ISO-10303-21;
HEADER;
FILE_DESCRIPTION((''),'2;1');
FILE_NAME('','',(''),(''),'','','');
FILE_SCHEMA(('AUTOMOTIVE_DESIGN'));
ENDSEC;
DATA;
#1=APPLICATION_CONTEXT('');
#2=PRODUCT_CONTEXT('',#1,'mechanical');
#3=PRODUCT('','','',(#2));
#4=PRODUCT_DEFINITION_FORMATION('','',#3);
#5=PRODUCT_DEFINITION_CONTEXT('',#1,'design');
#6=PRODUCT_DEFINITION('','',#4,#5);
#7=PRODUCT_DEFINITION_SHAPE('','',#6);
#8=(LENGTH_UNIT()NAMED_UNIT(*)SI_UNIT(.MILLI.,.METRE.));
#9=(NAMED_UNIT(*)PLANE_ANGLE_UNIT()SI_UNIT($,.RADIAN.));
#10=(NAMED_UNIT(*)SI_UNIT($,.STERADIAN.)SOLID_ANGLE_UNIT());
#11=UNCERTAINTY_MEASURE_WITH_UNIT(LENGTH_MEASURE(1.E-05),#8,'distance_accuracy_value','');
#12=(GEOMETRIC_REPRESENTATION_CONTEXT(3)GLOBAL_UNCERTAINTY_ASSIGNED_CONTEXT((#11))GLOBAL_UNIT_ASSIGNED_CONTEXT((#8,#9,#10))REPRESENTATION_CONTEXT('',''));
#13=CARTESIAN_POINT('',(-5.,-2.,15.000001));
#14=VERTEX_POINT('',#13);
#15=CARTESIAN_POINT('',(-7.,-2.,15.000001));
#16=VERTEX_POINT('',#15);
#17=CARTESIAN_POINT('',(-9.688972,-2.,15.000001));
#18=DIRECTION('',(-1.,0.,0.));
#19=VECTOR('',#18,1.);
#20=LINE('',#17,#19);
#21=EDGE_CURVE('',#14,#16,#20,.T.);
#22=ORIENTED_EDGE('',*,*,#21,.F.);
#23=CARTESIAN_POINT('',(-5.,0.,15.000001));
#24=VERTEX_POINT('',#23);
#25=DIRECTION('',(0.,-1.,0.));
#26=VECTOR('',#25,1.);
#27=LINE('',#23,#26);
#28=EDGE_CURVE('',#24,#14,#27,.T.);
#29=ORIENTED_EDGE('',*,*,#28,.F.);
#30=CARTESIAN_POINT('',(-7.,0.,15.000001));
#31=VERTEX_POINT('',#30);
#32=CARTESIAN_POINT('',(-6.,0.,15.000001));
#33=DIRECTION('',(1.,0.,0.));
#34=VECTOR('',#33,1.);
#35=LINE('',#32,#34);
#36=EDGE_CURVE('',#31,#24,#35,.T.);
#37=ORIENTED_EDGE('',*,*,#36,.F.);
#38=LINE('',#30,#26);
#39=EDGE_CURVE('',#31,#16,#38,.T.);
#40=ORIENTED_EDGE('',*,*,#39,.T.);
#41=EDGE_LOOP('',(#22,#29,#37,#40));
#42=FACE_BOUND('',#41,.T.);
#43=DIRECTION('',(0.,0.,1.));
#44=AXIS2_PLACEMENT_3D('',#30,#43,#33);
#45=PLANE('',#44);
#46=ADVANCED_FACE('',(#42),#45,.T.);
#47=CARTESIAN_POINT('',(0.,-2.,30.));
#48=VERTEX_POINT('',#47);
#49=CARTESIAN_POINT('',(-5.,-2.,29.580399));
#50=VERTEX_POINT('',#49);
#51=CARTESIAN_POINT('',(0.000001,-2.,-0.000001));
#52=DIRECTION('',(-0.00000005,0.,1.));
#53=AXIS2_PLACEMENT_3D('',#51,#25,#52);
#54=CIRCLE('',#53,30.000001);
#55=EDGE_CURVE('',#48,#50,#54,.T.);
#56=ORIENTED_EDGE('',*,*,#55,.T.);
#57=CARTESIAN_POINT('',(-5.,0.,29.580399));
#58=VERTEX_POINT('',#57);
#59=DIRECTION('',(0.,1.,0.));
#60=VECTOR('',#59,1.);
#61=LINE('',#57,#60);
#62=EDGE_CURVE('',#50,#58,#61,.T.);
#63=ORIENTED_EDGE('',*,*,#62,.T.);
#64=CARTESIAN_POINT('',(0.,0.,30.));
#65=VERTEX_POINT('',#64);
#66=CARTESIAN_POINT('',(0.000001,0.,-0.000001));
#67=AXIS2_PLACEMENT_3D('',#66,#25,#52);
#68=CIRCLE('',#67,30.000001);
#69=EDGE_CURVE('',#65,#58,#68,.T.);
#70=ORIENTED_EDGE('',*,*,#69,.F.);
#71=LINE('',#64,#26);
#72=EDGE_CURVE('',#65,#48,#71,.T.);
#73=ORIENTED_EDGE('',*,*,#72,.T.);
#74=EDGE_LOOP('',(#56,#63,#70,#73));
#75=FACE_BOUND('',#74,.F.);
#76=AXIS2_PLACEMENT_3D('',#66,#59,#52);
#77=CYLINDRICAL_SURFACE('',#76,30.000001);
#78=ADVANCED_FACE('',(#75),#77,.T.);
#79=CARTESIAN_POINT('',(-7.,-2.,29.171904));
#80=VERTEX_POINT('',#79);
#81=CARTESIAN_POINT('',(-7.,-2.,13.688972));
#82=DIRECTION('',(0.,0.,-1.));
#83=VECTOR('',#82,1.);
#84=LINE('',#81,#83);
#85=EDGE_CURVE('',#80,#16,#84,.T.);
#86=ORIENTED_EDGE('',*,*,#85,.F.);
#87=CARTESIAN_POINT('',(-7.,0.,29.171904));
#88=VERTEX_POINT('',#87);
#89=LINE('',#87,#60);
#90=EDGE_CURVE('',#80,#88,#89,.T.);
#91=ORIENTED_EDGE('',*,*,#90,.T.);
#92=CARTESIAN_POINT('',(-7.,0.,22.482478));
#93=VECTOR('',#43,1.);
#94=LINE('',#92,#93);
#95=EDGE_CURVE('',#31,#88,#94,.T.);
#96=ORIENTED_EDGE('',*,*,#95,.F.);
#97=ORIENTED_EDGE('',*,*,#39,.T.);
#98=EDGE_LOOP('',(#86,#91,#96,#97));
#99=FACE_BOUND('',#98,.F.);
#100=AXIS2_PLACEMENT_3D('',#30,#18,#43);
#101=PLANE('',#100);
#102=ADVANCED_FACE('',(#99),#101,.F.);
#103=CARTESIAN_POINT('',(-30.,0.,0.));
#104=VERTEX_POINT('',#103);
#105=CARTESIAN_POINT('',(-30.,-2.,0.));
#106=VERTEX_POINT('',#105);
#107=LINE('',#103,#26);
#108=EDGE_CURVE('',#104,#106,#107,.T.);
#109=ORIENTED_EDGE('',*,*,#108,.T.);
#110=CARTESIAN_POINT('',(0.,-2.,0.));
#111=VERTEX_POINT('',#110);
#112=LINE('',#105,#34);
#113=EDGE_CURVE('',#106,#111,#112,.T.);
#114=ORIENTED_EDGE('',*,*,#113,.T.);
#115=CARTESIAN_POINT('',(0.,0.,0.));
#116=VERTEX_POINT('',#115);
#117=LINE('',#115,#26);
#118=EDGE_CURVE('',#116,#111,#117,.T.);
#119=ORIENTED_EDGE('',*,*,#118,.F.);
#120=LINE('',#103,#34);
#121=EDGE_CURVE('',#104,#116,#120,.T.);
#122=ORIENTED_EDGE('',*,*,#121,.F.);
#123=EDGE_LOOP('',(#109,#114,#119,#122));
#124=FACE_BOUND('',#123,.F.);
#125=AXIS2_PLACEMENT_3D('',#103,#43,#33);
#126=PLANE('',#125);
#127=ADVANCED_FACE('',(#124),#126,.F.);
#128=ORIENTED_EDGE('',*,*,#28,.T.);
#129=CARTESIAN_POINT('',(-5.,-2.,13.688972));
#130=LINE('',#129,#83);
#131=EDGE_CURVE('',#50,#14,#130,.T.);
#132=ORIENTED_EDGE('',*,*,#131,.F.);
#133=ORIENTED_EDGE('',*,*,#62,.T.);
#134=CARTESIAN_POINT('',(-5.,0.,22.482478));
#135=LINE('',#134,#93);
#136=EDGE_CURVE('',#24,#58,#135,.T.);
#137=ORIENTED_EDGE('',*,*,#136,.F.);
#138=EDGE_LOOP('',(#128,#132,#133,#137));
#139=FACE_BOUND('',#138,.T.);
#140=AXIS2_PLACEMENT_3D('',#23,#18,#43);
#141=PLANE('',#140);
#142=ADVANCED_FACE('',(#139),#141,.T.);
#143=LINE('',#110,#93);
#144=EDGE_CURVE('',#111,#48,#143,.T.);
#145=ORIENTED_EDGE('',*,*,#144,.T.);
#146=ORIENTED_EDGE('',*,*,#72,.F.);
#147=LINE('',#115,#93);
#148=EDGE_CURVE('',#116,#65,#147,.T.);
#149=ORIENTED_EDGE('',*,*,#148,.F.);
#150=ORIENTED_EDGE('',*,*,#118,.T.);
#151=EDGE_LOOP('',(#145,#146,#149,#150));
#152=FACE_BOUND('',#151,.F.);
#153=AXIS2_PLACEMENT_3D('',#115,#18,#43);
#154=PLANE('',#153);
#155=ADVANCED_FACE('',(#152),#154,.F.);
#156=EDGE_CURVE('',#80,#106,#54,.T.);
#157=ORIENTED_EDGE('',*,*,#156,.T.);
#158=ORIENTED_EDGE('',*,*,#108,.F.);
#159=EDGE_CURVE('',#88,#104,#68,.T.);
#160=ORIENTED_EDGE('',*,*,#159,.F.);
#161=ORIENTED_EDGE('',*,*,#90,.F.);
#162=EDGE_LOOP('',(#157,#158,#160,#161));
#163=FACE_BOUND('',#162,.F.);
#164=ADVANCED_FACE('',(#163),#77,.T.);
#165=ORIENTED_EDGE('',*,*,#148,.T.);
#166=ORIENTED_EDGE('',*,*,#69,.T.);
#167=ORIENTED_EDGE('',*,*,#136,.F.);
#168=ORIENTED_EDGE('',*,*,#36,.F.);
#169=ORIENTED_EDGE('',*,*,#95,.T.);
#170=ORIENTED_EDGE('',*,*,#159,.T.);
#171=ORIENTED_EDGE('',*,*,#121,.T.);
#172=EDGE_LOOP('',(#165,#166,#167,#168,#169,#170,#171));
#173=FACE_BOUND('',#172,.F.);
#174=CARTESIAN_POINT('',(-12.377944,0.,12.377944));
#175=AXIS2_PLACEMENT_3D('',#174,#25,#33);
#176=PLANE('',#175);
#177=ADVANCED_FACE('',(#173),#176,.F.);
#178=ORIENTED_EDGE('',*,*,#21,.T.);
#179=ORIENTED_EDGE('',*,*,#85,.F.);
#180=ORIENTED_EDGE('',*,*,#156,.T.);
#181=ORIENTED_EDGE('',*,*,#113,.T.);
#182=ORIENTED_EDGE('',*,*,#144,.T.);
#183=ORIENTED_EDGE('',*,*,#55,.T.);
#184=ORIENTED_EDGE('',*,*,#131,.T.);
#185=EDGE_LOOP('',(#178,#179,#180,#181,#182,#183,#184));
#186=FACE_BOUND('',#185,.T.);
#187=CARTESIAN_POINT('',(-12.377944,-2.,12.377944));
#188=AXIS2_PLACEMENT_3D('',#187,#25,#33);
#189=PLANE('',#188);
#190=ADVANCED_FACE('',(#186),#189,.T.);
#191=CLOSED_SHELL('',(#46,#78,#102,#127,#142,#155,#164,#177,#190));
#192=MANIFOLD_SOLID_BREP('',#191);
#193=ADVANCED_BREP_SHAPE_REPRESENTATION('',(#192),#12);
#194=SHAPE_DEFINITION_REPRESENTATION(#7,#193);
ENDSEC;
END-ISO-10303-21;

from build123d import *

# Parameters (mm, degrees)
F1_DEPTH = 2
F2_W     = 2
F2_H     = 14.964955
F3_DEPTH = 25


with BuildPart() as f1:
    # F0 (on Front) → F1 (new body)
    with BuildSketch(Plane.XZ):
        with BuildLine():
            ThreePointArc((0, 30), (-21.213203, 21.213203), (-30, 0))
            Line((-30, 0), (0, 0))
            Line((0, 0), (0, 30))
        make_face()
    extrude(amount=F1_DEPTH)

    # F2 (on Front) → F3 (cut)
    with BuildSketch(Plane.XZ):
        with Locations((-6, 22.482478)):
            Rectangle(F2_W, F2_H)
    extrude(amount=F3_DEPTH, mode=Mode.SUBTRACT)


solid = f1.part
